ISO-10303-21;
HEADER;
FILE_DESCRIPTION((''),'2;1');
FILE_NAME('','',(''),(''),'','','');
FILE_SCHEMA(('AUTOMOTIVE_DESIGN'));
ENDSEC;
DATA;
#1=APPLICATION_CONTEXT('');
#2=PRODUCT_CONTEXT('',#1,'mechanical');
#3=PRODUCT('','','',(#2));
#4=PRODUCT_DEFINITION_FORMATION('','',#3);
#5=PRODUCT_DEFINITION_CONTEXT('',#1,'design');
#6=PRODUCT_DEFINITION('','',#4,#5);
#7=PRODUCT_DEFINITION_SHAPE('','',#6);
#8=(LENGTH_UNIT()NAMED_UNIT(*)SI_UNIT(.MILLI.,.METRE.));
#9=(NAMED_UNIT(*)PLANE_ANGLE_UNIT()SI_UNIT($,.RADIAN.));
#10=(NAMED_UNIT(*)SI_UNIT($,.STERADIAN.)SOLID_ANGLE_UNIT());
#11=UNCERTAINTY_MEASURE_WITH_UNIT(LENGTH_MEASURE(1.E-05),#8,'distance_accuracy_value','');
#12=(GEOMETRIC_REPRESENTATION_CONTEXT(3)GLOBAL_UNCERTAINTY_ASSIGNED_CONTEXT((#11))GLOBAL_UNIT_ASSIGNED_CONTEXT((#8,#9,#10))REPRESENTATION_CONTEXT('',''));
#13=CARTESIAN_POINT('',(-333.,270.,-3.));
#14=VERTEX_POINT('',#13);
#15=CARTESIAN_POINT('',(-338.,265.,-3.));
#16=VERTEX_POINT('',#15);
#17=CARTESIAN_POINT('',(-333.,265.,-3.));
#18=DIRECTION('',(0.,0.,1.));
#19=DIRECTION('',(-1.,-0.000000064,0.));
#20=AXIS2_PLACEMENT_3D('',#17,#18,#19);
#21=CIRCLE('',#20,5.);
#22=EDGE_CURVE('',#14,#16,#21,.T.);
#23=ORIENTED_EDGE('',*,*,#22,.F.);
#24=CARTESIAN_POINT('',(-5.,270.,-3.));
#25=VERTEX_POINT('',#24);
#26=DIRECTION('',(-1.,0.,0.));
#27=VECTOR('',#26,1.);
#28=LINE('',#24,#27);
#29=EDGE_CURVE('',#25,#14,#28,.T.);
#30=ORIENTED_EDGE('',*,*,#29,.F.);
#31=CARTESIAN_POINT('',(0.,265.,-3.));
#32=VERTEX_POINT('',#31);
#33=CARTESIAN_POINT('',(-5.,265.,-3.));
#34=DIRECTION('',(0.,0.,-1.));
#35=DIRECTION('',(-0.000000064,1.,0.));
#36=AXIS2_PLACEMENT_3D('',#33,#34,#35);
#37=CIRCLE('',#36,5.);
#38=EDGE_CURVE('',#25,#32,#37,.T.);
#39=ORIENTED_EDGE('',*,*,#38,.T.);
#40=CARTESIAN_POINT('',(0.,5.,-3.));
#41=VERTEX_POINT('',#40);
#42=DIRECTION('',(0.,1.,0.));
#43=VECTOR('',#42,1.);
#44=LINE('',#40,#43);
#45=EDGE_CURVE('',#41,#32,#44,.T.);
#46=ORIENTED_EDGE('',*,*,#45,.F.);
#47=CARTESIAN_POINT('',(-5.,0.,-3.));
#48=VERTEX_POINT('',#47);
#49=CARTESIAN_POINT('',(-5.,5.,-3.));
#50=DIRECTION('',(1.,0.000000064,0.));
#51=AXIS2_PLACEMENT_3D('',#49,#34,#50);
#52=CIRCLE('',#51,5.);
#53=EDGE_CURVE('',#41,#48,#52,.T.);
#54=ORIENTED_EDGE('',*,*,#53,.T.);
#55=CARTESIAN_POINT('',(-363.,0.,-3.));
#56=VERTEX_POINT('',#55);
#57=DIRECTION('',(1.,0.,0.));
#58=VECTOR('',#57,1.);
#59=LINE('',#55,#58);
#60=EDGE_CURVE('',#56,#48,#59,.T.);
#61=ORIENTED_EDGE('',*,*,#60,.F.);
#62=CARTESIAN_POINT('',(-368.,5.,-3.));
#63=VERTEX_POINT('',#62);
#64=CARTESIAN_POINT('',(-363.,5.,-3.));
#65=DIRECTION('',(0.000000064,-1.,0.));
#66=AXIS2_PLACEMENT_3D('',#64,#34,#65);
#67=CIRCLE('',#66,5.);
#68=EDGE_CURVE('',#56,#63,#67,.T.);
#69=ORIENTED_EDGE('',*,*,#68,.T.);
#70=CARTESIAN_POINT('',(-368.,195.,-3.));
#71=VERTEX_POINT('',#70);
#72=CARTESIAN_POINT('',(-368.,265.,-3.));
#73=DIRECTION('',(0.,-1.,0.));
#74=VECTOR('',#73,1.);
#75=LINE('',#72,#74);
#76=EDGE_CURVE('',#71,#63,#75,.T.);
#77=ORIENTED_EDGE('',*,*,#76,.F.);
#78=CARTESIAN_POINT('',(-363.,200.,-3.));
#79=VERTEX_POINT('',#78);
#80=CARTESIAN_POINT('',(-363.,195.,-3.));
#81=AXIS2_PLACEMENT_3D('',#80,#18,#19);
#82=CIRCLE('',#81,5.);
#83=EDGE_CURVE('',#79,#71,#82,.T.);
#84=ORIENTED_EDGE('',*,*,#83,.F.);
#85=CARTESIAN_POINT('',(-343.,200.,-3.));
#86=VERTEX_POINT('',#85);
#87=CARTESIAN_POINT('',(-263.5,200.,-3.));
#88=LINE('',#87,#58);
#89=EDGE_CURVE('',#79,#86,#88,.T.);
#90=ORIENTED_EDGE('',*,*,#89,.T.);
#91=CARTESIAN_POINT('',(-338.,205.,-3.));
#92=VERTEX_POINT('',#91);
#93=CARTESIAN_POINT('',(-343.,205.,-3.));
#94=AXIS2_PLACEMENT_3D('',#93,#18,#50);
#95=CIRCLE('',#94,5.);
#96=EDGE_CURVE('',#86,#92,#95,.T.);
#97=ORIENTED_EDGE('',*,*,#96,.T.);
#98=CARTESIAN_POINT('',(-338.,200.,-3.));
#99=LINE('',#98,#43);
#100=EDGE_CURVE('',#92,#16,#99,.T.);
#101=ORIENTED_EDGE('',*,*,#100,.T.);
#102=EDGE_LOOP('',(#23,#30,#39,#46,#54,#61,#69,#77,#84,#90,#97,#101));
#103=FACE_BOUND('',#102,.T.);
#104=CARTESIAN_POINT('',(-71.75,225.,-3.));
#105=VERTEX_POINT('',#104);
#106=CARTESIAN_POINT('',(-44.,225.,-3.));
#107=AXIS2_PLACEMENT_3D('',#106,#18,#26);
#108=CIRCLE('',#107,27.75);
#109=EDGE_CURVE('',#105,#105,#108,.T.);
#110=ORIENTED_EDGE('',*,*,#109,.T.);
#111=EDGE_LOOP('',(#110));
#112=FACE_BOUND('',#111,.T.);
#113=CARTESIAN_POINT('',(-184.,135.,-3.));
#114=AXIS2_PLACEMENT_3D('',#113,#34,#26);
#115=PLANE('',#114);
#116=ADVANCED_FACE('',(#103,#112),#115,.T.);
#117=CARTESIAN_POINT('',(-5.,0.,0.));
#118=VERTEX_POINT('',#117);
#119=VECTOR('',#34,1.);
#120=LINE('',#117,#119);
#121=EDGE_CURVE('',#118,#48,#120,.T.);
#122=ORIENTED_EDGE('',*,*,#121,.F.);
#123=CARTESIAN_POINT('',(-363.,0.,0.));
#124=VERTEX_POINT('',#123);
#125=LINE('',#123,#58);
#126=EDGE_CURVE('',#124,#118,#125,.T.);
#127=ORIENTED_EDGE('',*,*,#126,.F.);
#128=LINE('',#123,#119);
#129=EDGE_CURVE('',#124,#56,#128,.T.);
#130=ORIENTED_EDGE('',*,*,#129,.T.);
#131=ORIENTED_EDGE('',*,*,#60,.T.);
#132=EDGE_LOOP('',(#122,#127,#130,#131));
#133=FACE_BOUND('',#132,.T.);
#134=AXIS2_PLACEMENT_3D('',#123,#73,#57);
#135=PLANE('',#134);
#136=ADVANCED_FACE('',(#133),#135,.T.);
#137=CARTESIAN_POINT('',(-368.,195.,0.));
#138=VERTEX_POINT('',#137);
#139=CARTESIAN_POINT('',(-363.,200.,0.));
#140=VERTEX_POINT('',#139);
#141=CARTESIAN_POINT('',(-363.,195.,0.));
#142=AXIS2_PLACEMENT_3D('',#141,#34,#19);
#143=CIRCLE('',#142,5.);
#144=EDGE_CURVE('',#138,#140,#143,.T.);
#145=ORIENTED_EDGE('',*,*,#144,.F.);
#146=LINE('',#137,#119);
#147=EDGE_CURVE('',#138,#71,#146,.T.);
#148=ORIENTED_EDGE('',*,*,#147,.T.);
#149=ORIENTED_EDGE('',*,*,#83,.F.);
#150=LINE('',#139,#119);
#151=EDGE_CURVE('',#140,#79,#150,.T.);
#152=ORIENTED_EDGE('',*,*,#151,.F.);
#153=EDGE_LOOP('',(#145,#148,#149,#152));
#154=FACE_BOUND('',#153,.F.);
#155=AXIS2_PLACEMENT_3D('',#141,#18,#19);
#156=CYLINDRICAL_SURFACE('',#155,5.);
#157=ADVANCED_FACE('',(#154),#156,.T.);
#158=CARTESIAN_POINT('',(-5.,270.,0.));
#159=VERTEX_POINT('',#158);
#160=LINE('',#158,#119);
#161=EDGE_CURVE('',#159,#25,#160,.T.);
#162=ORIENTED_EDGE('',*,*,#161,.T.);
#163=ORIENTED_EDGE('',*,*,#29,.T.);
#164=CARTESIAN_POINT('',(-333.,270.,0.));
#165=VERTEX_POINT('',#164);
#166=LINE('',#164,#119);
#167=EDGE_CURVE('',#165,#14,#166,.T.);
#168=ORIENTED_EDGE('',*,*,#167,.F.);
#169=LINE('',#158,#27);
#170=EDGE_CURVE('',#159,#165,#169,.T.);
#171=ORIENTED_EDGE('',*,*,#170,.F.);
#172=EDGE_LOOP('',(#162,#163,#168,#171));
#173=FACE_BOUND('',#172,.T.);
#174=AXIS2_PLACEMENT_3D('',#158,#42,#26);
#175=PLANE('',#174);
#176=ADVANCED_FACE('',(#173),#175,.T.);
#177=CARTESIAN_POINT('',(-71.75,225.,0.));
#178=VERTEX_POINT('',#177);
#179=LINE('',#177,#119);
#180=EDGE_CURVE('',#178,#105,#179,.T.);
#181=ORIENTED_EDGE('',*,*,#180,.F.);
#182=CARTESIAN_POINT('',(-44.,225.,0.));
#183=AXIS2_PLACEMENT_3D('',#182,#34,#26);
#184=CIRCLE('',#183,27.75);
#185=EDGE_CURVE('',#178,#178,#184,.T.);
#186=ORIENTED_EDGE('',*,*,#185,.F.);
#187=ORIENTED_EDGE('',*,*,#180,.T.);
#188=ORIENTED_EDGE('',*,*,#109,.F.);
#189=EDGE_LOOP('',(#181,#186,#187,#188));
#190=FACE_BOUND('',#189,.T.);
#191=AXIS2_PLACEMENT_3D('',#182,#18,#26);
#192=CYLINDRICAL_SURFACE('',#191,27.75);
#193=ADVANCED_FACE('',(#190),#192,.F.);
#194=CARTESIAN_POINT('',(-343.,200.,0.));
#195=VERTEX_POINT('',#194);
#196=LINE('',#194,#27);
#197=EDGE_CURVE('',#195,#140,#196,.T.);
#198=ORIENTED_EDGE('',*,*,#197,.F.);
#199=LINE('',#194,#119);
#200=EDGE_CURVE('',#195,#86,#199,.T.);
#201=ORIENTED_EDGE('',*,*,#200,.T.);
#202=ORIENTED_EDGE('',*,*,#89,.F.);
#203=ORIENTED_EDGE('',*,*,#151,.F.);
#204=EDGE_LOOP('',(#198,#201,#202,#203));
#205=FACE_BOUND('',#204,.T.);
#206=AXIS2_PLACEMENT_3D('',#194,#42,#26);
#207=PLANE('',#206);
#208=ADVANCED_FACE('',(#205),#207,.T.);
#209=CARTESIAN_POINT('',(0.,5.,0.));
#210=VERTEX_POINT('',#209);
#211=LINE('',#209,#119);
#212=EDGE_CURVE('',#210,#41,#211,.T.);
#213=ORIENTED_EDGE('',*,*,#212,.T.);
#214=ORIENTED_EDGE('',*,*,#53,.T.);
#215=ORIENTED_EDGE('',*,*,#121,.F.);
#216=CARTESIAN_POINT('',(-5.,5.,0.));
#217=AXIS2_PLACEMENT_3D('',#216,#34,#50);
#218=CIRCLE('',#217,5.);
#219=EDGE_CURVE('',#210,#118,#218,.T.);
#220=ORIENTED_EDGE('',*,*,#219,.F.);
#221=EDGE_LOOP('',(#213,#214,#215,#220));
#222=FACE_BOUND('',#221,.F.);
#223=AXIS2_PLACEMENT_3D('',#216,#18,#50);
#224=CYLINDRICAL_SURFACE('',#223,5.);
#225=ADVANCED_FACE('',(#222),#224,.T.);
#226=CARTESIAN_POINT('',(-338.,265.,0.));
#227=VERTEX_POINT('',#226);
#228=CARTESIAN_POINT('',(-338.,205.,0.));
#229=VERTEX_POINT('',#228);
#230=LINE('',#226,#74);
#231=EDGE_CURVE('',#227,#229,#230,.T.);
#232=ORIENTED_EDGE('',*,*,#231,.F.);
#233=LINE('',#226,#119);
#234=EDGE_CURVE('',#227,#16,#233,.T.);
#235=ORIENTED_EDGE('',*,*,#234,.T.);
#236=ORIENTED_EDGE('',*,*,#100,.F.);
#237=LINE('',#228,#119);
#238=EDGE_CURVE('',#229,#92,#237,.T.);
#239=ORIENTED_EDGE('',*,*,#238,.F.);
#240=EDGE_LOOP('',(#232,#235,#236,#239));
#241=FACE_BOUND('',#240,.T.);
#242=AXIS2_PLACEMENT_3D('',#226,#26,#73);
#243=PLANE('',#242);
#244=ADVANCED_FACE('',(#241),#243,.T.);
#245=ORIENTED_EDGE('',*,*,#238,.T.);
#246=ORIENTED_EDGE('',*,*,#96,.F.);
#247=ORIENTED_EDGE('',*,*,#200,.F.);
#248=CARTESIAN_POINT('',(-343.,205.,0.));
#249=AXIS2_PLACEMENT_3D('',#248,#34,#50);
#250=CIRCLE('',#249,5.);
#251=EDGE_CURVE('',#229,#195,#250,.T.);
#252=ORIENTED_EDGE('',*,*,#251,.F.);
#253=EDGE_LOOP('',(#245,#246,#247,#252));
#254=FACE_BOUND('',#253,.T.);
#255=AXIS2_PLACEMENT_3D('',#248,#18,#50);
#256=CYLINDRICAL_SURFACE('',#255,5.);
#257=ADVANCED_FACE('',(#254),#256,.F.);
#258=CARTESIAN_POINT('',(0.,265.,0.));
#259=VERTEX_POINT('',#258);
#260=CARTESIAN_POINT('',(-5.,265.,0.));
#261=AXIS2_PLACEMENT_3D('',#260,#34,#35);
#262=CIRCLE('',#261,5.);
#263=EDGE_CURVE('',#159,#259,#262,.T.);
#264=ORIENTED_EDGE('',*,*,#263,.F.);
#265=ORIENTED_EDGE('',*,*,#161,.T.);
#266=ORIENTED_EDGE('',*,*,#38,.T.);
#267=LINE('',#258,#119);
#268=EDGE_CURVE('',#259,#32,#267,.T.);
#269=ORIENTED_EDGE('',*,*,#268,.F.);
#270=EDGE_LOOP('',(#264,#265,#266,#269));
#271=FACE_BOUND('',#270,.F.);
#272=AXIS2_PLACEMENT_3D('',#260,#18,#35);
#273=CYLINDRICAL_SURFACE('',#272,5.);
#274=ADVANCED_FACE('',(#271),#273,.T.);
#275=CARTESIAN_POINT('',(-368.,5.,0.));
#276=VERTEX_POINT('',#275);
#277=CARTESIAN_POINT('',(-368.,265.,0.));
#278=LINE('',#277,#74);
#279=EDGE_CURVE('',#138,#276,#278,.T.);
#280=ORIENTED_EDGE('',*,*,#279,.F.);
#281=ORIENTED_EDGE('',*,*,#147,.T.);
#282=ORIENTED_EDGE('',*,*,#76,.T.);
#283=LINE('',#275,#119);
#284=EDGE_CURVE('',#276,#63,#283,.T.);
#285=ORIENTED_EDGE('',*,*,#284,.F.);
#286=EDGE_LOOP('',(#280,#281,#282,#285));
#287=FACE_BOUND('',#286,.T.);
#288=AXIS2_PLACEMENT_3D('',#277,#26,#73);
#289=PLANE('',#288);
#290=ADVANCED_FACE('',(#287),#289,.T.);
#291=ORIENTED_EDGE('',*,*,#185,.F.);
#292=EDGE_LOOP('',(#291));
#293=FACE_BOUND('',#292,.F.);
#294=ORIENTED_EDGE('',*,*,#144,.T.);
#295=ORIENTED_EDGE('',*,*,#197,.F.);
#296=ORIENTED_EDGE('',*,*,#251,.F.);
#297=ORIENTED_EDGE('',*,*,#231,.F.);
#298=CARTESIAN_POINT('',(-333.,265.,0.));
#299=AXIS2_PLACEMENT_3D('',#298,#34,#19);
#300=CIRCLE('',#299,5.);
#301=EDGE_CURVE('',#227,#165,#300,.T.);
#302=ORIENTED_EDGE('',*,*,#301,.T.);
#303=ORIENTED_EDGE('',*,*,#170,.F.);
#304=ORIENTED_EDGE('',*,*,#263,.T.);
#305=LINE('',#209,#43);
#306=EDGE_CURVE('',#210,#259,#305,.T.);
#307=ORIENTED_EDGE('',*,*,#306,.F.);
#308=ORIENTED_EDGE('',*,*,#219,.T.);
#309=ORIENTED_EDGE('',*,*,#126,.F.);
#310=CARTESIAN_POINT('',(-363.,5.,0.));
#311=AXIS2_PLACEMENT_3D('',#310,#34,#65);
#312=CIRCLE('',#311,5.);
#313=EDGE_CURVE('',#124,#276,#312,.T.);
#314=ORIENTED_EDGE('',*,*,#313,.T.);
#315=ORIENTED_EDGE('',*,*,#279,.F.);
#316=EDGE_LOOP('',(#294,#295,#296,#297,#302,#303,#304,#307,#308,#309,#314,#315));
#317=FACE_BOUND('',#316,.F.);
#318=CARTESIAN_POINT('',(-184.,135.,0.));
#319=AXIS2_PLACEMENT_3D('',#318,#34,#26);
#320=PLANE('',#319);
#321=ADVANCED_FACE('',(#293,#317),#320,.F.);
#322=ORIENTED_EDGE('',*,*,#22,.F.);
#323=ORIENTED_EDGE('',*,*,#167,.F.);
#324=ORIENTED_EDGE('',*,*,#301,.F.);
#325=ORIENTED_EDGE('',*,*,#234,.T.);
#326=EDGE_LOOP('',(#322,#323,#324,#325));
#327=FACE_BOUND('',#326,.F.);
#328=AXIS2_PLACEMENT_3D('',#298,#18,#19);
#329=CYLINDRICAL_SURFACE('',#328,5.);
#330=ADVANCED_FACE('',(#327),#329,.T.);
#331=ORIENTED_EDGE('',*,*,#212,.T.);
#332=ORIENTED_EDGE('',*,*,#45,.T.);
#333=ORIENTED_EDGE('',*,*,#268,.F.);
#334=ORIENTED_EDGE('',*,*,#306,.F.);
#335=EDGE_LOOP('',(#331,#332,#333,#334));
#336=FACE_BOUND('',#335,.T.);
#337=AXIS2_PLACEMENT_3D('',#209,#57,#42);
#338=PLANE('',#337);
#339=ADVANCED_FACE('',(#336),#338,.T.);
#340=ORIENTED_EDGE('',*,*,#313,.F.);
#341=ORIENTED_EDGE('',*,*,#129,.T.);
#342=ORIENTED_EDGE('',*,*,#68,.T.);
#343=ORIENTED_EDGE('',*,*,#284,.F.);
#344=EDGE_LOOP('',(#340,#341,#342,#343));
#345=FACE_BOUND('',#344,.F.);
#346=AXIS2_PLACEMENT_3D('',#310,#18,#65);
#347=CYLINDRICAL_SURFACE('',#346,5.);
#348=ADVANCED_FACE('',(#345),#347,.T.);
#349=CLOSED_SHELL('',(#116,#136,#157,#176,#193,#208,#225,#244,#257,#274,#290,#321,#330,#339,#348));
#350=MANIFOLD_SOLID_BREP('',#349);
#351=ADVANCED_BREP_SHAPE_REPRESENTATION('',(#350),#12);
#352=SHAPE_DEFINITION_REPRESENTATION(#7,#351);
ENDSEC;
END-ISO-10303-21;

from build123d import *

# Parameters (mm, degrees)
PAD012_DEPTH             = 3
SKETCH090_R              = 27.75
POCKET039_DEPTH          = 0.001
POCKET039_DEPTH_BACK     = 3.001
POCKET040_DEPTH          = 0.001
POCKET040_DEPTH_BACK     = 3.001
BODY081_PLACEMENT_ANGLE  = 90
CLONE028_ROLL_ANGLE      = 180
CLONE028_PLACEMENT_ANGLE = -90


with BuildPart() as part:
    # Sketch089 → Pad012 (new body)
    with BuildSketch(Plane.XY):
        with BuildLine():
            ThreePointArc((-184, -130), (-182.535534, -133.535534), (-179, -135))
            Line((179, -135), (-179, -135))
            ThreePointArc((179, -135), (182.535534, -133.535534), (184, -130))
            Line((184, 130), (184, -130))
            ThreePointArc((184, 130), (182.535534, 133.535534), (179, 135))
            Line((-179, 135), (179, 135))
            ThreePointArc((-179, 135), (-182.535534, 133.535534), (-184, 130))
            Line((-184, -130), (-184, 130))
        make_face()
    extrude(amount=PAD012_DEPTH)

    # Sketch090 → Pocket039 (cut, two sides)
    with BuildSketch(Plane(origin=(-140, 90, 0), x_dir=(1, 0, 0), z_dir=(0, 0, 1))) as pocket039_sk:
        Circle(SKETCH090_R)
    extrude(amount=-POCKET039_DEPTH, mode=Mode.SUBTRACT)
    extrude(pocket039_sk.sketch, amount=POCKET039_DEPTH_BACK, mode=Mode.SUBTRACT)

    # Sketch091 → Pocket040 (cut, two sides)
    with BuildSketch(Plane.XY) as pocket040_sk:
        with BuildLine():
            Line((184, 135), (149, 135))
            ThreePointArc((154, 130), (152.535534, 133.535534), (149, 135))
            Line((154, 130), (154, 70))
            ThreePointArc((154, 70), (155.464466, 66.464466), (159, 65))
            Line((159, 65), (179, 65))
            ThreePointArc((184, 60), (182.535534, 63.535534), (179, 65))
            Line((184, 60), (184, 135))
        make_face()
    extrude(amount=-POCKET040_DEPTH, mode=Mode.SUBTRACT)
    extrude(pocket040_sk.sketch, amount=POCKET040_DEPTH_BACK, mode=Mode.SUBTRACT)


with BuildPart() as part_1:
    # Body081 placement: moved
    add(part.part.rotate(Axis((0, 0, 0), (0, 0, 1)), BODY081_PLACEMENT_ANGLE))


with BuildPart() as part_2:
    # Clone028 roll: moved
    add(part_1.part.rotate(Axis((0, 0, 0), (1, 0, 0)), CLONE028_ROLL_ANGLE))


with BuildPart() as part_3:
    # Clone028 placement: moved
    add(part_2.part.moved(Location((-184, 135, 0))).rotate(Axis((-184, 135, 0), (0, 0, 1)), CLONE028_PLACEMENT_ANGLE))


solid = part_3.part
